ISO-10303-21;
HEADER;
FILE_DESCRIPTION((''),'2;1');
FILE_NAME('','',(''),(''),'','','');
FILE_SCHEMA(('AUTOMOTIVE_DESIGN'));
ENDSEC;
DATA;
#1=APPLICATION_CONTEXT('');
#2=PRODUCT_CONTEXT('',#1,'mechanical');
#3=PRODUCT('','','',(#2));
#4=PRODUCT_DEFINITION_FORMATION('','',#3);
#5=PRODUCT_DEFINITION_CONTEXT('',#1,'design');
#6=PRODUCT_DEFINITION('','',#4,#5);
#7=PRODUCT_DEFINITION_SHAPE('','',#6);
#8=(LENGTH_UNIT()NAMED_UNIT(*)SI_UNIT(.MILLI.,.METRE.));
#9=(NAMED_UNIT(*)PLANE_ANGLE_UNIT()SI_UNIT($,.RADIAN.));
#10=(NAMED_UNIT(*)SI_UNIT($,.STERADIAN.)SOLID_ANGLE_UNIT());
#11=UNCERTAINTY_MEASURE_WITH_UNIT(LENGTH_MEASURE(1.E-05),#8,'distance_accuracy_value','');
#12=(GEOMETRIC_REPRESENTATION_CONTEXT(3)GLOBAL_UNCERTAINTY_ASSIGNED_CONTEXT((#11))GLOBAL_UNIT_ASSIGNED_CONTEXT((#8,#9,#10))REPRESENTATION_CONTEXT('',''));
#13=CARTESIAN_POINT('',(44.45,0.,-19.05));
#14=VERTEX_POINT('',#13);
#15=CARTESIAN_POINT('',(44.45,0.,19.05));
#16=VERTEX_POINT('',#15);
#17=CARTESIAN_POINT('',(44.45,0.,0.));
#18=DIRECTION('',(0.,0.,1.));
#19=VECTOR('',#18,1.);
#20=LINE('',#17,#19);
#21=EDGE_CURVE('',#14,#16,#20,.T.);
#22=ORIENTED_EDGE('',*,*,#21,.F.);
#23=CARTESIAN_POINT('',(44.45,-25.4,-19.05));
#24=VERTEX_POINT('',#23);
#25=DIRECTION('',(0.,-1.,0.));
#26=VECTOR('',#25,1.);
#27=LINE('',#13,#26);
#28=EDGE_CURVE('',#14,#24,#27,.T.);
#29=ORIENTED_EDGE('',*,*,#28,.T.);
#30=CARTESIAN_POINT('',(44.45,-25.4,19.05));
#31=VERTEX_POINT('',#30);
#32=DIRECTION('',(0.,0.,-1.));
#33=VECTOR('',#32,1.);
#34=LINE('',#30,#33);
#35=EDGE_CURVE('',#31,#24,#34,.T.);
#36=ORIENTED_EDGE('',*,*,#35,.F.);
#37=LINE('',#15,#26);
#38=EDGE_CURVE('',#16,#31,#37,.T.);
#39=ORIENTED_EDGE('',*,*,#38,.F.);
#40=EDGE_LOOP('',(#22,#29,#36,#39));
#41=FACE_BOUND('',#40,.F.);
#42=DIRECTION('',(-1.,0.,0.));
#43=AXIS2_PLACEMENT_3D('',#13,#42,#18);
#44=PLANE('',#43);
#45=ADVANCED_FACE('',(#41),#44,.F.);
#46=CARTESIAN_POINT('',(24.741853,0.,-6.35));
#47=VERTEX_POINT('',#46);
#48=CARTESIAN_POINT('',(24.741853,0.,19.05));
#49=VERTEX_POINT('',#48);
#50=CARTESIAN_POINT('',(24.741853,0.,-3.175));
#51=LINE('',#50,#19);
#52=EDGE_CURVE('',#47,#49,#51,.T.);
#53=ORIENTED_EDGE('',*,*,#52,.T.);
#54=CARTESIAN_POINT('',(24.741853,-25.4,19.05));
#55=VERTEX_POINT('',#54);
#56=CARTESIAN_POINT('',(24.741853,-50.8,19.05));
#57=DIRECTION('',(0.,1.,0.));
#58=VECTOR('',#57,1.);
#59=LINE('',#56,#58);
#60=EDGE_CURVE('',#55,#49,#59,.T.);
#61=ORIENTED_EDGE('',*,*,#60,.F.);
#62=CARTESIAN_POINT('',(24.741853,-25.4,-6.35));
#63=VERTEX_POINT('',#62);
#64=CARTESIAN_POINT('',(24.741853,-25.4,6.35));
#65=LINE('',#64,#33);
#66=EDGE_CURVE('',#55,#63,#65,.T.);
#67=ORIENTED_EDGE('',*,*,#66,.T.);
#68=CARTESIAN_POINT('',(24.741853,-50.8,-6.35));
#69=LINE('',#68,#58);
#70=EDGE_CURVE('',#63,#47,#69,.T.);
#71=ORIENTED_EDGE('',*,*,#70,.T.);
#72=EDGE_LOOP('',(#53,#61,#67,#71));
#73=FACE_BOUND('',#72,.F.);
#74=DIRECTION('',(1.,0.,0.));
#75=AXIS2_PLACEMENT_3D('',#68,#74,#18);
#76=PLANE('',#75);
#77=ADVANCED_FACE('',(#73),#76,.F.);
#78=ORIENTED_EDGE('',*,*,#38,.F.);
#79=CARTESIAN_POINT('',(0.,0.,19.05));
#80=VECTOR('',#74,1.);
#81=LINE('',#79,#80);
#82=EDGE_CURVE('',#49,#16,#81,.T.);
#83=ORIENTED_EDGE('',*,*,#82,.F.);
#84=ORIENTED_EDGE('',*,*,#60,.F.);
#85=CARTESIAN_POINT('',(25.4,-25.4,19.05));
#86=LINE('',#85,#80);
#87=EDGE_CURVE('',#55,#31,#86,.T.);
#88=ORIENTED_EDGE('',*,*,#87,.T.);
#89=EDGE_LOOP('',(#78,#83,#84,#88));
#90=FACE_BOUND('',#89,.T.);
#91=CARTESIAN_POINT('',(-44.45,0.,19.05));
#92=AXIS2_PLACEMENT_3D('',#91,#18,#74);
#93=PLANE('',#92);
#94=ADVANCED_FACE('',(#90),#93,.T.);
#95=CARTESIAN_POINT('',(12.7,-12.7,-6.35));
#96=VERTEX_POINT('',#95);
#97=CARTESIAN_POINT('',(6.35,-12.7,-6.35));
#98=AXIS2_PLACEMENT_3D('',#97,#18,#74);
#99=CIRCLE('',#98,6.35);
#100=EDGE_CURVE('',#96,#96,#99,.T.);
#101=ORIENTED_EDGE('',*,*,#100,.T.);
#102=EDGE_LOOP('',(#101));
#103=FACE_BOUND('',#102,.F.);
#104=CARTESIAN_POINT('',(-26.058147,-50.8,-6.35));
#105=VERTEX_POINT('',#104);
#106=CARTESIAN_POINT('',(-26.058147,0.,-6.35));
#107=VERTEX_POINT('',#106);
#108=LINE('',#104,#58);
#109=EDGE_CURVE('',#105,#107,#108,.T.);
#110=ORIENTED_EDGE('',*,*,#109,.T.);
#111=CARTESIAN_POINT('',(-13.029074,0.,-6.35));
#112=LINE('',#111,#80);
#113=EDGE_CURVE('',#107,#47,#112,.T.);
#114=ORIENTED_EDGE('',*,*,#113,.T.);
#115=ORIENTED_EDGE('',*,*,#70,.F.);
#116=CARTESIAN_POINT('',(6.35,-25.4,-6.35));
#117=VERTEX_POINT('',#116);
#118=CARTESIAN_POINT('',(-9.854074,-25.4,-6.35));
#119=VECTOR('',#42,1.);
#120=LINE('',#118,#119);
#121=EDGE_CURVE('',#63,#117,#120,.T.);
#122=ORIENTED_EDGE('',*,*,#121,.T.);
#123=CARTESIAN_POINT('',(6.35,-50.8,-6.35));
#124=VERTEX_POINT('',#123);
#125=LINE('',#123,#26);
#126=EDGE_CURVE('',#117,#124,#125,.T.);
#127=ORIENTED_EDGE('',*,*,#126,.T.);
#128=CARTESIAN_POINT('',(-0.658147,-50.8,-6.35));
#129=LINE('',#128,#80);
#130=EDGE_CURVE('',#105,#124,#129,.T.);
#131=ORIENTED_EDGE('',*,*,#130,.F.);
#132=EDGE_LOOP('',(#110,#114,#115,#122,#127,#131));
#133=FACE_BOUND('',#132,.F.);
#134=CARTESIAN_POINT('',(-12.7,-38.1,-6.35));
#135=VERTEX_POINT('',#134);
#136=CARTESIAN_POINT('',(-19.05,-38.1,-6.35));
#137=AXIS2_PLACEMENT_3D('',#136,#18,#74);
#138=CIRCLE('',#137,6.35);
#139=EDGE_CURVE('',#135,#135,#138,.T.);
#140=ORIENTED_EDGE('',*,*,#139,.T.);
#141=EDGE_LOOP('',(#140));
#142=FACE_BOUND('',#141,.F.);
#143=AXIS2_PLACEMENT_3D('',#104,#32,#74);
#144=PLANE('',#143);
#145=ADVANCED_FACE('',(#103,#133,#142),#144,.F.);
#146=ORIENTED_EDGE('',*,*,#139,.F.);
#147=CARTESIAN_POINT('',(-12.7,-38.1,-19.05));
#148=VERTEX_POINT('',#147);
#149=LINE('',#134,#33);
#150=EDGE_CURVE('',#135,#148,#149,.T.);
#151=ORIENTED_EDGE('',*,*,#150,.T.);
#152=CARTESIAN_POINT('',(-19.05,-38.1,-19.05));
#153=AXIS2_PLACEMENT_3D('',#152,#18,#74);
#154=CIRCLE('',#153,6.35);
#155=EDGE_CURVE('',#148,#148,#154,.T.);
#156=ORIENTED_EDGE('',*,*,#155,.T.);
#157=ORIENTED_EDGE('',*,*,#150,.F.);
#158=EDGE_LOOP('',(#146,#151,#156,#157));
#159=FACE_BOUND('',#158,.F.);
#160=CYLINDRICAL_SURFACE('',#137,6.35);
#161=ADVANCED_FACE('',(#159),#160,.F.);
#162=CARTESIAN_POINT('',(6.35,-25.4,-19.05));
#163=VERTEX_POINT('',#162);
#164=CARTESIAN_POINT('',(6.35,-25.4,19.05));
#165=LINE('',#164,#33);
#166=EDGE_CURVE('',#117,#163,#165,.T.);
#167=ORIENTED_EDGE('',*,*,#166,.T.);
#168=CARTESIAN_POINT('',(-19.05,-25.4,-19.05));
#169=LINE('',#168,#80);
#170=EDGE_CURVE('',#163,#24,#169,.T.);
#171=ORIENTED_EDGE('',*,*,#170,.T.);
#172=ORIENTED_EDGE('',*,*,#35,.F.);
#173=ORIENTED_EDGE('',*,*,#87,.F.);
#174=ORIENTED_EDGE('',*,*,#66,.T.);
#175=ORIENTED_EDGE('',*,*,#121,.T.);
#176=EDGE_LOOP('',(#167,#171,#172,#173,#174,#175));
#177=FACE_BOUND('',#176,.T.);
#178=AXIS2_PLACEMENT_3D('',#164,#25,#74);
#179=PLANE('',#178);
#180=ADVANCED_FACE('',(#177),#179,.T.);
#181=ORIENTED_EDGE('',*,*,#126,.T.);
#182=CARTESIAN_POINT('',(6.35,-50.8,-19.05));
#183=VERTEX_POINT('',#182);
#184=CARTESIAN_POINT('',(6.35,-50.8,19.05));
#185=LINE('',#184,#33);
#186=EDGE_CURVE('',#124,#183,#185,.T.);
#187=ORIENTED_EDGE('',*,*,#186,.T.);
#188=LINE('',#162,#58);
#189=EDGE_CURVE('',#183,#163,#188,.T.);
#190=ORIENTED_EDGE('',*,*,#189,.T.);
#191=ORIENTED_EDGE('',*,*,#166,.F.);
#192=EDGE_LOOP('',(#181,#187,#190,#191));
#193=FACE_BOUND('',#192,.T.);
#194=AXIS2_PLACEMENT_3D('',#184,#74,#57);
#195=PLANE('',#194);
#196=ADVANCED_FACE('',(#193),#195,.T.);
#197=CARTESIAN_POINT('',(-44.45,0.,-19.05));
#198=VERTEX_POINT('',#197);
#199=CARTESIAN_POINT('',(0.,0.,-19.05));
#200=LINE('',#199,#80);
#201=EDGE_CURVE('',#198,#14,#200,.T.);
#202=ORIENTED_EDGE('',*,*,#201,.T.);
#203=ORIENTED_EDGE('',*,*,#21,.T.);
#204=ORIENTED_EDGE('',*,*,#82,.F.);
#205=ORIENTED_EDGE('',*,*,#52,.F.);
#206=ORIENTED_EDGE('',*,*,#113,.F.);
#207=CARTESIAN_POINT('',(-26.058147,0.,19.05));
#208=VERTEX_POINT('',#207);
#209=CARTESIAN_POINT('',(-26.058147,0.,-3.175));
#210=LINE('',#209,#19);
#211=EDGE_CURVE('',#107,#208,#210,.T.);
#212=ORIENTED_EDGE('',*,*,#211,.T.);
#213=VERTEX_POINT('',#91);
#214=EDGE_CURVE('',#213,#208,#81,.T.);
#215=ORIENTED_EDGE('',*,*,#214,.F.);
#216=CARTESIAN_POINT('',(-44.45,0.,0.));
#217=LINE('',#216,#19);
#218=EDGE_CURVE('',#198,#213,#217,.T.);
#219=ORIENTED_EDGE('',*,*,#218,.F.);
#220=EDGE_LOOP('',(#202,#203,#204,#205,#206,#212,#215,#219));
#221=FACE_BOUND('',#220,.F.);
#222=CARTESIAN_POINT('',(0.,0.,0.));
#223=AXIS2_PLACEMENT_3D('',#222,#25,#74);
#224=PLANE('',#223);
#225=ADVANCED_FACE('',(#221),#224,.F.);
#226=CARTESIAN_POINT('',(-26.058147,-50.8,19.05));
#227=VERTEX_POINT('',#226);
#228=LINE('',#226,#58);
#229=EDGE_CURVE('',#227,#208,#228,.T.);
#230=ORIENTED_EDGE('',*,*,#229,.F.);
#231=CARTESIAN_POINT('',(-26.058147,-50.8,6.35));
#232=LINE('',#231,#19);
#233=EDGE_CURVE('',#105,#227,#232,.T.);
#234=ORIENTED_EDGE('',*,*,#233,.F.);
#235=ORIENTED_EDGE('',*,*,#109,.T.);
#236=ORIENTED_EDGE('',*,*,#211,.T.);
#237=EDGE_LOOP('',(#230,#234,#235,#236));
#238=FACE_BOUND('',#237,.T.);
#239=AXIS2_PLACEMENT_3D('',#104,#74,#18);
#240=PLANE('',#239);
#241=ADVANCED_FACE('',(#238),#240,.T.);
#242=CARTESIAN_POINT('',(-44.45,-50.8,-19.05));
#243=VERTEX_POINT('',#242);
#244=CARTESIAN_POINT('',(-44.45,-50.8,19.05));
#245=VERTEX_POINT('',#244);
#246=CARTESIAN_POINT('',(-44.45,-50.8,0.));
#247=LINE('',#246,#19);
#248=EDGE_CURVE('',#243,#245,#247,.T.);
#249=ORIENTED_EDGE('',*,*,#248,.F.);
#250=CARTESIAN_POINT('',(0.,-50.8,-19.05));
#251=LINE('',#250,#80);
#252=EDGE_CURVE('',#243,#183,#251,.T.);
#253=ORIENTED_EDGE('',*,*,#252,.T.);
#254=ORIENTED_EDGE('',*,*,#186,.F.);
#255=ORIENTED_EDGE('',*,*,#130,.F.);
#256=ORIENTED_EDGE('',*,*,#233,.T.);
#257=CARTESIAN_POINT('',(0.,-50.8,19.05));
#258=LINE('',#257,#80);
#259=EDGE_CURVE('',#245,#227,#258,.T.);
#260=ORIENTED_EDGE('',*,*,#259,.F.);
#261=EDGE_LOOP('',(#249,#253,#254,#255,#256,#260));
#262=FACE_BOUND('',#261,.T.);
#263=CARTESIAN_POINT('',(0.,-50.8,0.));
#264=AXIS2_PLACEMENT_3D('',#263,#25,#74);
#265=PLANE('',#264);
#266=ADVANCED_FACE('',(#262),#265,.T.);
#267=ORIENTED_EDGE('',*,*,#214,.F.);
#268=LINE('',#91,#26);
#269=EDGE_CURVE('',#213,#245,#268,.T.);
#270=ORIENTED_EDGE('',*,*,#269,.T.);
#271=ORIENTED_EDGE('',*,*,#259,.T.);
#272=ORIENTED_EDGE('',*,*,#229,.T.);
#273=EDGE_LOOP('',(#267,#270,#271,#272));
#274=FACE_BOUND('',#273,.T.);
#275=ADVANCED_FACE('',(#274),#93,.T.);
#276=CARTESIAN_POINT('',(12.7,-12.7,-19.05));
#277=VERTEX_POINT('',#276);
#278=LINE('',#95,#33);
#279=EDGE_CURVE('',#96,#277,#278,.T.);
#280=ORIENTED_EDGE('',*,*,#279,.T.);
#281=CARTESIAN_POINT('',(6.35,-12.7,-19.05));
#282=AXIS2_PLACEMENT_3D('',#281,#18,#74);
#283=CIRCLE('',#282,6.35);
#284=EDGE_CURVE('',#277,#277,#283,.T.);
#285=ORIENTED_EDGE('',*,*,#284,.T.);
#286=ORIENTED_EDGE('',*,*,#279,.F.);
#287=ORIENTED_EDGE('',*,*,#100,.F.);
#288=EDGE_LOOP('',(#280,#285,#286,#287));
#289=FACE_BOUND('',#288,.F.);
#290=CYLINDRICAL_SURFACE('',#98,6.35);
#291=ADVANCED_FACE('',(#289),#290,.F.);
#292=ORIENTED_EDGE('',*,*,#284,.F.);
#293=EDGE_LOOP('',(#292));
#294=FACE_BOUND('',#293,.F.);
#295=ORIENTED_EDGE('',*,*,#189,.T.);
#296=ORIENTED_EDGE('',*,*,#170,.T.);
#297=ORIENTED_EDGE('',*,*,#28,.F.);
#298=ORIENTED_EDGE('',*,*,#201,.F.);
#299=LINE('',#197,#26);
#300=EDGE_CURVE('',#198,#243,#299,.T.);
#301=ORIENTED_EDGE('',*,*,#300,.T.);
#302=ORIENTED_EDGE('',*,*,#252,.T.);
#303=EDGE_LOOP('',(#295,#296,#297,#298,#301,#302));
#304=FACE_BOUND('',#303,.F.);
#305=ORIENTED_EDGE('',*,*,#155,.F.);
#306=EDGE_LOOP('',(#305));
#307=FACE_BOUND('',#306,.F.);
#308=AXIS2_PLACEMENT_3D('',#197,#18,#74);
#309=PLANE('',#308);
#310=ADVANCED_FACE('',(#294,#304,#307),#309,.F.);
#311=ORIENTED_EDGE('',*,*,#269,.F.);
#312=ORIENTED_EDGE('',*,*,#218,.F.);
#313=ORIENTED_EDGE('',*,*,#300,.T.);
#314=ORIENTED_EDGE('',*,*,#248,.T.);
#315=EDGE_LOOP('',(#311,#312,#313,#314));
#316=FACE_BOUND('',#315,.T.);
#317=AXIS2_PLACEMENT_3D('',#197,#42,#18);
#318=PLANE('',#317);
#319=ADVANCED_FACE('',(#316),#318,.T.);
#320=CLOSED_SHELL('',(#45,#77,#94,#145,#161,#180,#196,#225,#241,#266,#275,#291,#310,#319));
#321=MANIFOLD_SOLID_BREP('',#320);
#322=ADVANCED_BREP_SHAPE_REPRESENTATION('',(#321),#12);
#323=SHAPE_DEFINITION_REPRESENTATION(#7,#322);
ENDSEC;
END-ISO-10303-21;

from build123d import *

# Parameters (mm, degrees)
F0_W     = 88.9
F0_H     = 38.1
F1_DEPTH = 50.8
F2_W     = 50.8
F2_H     = 25.4
F3_DEPTH = 50.801
F4_W     = 38.1
F4_H     = 25.4
F5_DEPTH = 38.101
F6_R     = 6.35
F7_DEPTH = 12.701


with BuildPart() as f1:
    # F0 (on Front) → F1 (new body)
    with BuildSketch(Plane.XZ):
        Rectangle(F0_W, F0_H)
    extrude(amount=F1_DEPTH)

    # F2 (on face) → F3 (cut, through all)
    with BuildSketch(Plane.XZ.offset(50.8)):
        with Locations((-0.658147, 6.35)):
            Rectangle(F2_W, F2_H)
    extrude(amount=-F3_DEPTH, mode=Mode.SUBTRACT)

    # F4 (on face) → F5 (cut, through all)
    with BuildSketch(Plane.XY.offset(19.05)):
        with Locations((25.4, -38.1)):
            Rectangle(F4_W, F4_H)
    extrude(amount=-F5_DEPTH, mode=Mode.SUBTRACT)

    # F6 (on face) → F7 (cut, through all)
    with BuildSketch(Plane.XY.offset(-6.35)):
        with Locations((6.35, -12.7)):
            Circle(F6_R)
        with Locations((-19.05, -38.1)):
            Circle(F6_R)
    extrude(amount=-F7_DEPTH, mode=Mode.SUBTRACT)


solid = f1.part
